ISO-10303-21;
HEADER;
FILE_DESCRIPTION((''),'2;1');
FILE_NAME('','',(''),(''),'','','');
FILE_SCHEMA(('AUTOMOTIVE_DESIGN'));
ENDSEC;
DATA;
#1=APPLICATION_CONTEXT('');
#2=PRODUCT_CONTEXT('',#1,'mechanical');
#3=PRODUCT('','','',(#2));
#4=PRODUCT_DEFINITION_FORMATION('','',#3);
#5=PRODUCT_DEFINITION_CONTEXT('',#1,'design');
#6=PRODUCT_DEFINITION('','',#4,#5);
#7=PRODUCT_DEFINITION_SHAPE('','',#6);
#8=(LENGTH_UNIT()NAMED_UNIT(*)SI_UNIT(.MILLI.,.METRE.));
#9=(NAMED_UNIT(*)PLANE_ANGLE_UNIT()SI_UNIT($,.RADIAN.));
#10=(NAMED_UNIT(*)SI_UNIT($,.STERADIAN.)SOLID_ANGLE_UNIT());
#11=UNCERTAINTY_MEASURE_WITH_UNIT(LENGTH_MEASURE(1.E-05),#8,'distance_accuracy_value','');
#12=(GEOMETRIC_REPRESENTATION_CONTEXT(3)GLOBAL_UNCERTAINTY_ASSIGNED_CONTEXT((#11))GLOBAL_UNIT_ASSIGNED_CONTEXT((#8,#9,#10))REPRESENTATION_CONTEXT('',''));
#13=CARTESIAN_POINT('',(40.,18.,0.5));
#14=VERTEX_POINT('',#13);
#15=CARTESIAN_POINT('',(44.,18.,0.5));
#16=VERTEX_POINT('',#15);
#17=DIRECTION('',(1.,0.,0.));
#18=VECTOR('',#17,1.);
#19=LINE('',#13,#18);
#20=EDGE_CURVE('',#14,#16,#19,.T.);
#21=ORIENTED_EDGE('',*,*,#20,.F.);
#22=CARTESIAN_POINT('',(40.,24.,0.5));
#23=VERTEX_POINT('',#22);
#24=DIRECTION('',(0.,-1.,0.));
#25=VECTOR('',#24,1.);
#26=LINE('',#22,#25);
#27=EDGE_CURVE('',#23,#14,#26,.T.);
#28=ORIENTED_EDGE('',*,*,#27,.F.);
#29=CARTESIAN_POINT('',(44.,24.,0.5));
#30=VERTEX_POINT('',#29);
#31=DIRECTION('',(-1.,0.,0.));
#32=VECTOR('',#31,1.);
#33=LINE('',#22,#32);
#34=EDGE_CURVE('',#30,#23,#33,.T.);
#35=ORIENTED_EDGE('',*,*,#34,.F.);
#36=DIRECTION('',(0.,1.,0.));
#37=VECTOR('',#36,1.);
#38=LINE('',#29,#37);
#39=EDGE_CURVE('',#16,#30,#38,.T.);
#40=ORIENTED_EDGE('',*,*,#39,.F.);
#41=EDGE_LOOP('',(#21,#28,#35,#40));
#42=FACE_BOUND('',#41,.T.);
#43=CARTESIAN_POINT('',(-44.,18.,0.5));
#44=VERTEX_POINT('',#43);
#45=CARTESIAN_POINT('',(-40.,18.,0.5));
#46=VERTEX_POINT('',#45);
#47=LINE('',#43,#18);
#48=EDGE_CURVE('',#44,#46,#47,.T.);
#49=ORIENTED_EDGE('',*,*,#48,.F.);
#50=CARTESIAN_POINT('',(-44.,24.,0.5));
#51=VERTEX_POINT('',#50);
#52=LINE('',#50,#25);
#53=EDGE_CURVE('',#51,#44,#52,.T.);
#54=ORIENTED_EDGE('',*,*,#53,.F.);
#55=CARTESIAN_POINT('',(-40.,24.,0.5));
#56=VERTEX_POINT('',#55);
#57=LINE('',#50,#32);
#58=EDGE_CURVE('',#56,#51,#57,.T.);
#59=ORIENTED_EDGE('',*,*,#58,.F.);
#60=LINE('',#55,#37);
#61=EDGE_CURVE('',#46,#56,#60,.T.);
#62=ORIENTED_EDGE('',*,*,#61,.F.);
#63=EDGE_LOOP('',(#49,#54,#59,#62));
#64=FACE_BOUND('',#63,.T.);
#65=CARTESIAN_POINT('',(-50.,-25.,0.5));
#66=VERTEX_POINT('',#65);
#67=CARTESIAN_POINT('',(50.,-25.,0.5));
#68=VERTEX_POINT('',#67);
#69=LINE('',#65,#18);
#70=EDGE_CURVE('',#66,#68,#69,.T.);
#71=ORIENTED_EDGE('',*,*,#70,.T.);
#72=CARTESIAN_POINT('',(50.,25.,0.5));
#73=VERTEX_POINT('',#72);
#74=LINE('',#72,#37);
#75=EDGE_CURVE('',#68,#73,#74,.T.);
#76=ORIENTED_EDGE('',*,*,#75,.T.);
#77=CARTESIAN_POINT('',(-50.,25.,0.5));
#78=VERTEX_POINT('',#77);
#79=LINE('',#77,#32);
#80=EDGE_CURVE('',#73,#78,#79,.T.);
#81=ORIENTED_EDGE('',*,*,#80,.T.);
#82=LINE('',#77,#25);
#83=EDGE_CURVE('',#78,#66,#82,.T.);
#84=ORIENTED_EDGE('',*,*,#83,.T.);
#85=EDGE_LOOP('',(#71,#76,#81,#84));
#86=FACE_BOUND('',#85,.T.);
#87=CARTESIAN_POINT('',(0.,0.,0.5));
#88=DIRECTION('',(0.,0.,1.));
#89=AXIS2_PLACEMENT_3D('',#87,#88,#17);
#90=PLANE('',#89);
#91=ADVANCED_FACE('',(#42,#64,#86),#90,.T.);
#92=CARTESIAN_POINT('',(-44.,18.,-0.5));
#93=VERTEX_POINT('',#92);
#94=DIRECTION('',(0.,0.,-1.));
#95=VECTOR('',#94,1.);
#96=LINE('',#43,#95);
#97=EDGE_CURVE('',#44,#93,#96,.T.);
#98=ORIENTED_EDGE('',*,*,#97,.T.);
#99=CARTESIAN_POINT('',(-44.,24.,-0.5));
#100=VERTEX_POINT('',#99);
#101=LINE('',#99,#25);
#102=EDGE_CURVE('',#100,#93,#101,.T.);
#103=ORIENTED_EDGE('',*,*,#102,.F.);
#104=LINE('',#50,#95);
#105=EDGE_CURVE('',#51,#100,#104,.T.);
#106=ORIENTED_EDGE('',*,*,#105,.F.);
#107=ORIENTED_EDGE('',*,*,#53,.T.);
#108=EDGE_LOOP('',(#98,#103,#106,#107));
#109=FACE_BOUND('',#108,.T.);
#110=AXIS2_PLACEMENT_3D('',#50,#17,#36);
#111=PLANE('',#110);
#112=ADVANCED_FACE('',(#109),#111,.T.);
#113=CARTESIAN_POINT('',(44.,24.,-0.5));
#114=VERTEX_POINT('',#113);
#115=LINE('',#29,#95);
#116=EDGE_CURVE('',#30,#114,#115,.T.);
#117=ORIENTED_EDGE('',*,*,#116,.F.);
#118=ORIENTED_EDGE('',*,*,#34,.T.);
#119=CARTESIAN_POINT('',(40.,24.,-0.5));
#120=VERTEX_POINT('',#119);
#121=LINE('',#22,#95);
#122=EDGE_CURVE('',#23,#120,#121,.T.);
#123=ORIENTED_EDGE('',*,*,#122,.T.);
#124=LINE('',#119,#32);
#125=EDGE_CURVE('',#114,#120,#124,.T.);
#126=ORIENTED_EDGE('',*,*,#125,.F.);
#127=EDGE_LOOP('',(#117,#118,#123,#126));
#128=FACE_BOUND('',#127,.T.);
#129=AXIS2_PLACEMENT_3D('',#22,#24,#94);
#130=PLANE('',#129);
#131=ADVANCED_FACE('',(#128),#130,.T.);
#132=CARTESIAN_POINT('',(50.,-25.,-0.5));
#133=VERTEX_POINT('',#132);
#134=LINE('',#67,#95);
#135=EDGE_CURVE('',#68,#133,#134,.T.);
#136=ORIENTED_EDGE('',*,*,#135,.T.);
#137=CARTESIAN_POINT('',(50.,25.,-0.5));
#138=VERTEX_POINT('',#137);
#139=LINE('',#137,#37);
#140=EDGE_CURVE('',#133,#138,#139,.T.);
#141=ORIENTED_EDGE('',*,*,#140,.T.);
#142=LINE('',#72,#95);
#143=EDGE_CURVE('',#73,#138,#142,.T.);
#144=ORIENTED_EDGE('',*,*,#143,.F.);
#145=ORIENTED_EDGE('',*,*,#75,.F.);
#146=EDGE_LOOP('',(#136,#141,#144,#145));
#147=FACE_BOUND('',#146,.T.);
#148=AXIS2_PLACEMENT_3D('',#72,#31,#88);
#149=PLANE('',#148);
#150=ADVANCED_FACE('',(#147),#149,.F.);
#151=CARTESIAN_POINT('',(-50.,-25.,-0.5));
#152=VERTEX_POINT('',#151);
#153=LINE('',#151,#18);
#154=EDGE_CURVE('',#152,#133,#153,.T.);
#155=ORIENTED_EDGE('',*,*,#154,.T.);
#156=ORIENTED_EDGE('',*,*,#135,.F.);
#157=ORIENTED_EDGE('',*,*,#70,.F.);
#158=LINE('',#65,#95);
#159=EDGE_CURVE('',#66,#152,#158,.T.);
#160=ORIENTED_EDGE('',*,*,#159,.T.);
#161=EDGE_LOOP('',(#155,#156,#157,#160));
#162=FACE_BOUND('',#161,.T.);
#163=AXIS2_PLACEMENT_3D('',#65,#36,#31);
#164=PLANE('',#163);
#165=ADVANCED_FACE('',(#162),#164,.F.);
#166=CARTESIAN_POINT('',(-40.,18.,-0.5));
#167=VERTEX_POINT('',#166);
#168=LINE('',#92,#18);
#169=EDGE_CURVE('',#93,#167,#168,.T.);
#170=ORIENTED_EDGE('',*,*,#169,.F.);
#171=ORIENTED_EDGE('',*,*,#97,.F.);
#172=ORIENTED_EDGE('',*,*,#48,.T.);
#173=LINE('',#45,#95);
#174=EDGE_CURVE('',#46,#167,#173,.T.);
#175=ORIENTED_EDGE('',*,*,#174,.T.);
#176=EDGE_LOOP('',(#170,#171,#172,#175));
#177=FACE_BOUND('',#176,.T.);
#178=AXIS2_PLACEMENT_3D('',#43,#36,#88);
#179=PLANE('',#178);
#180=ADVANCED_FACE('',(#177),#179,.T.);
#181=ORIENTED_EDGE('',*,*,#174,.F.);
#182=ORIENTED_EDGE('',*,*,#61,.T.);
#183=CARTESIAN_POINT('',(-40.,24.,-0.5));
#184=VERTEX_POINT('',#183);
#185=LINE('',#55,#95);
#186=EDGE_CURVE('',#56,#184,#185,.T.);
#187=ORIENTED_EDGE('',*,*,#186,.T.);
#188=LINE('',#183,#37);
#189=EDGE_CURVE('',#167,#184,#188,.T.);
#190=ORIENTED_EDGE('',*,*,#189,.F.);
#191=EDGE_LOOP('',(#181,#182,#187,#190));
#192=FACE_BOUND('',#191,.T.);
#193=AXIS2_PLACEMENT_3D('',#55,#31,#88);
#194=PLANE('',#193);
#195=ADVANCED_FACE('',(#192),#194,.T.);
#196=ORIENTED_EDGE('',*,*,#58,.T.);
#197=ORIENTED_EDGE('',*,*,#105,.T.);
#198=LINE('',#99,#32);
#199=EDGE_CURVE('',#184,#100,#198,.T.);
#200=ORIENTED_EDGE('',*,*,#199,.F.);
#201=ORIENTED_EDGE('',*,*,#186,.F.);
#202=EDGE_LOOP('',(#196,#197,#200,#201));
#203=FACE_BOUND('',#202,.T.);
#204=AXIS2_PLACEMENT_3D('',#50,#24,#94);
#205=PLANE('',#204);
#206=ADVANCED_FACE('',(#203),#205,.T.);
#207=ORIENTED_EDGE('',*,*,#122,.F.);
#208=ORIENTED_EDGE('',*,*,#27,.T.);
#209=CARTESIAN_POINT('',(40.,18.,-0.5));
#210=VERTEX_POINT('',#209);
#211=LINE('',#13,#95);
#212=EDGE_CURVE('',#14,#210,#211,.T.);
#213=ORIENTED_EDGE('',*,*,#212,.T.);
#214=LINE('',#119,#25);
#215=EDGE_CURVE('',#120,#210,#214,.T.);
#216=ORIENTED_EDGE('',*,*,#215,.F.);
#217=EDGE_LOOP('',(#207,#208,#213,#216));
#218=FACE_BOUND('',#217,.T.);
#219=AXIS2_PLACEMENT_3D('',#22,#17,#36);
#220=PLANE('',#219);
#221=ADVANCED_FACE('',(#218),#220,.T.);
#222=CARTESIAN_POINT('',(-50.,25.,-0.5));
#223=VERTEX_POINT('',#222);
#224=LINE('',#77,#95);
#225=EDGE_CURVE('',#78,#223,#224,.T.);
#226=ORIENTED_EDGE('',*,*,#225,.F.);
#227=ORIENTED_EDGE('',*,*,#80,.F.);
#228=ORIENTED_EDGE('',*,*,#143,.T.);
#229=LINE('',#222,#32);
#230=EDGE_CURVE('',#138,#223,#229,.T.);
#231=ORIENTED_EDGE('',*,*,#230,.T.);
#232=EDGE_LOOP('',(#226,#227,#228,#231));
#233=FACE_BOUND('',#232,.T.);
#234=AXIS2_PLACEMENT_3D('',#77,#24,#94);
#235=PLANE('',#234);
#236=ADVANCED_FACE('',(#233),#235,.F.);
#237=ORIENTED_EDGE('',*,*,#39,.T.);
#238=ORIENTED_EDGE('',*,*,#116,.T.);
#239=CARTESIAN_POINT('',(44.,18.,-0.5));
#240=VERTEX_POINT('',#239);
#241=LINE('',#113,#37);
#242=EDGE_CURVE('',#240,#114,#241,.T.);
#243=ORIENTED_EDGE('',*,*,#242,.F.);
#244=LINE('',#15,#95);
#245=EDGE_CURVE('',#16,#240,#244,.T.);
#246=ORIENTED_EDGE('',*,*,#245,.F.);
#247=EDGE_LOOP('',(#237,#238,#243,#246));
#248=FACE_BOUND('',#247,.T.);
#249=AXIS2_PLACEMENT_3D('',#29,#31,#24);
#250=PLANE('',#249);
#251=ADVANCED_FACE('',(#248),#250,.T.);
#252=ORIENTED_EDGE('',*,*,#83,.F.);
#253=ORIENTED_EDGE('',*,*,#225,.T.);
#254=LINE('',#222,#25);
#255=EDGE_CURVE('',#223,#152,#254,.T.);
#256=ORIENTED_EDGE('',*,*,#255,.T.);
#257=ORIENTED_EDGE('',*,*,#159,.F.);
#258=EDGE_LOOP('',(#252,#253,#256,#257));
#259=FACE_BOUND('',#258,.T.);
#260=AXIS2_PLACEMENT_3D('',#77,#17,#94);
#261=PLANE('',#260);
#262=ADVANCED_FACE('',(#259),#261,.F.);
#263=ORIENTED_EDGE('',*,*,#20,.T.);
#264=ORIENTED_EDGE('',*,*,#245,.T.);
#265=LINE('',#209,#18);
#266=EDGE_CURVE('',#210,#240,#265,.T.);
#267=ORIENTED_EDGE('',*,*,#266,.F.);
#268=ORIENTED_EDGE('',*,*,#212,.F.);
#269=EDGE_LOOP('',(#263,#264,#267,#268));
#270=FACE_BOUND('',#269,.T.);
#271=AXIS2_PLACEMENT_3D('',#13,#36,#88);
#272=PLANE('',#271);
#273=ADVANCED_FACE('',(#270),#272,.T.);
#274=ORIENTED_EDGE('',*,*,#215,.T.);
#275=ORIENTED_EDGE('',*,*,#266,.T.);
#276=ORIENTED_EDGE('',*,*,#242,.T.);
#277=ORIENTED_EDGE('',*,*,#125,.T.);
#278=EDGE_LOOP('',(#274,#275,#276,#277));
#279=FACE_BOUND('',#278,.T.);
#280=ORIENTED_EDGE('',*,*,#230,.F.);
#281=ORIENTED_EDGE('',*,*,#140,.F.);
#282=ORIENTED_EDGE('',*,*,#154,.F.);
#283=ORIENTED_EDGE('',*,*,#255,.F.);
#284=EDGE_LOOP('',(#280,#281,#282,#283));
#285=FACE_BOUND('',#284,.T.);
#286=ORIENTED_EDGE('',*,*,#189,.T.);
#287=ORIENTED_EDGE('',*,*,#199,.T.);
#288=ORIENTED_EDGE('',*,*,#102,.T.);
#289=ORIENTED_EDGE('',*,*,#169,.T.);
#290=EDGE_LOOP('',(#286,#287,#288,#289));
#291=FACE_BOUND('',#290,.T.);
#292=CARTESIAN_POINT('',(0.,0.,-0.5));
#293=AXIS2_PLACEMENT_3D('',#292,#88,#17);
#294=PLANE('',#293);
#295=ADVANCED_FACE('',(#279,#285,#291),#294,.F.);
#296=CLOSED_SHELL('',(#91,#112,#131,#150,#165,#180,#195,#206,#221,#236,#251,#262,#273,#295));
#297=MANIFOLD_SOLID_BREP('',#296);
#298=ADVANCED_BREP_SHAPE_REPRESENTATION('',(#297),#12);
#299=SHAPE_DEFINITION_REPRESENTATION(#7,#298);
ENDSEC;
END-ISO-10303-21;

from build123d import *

# Parameters (mm, degrees)
SKETCH_1_W      = 100
SKETCH_1_H      = 50
SKETCH_1_W_2    = 4
SKETCH_1_H_2    = 6
EXTRUDE_1_DEPTH = 0.5


with BuildPart() as part:
    # 草圖1 → 填料-伸長1 (new, symmetric)
    with BuildSketch(Plane.XY):
        Rectangle(SKETCH_1_W, SKETCH_1_H)
        with Locations((-42, 21)):
            Rectangle(SKETCH_1_W_2, SKETCH_1_H_2, mode=Mode.SUBTRACT)
        with Locations((42, 21)):
            Rectangle(SKETCH_1_W_2, SKETCH_1_H_2, mode=Mode.SUBTRACT)
    extrude(amount=EXTRUDE_1_DEPTH, both=True)


solid = part.part
